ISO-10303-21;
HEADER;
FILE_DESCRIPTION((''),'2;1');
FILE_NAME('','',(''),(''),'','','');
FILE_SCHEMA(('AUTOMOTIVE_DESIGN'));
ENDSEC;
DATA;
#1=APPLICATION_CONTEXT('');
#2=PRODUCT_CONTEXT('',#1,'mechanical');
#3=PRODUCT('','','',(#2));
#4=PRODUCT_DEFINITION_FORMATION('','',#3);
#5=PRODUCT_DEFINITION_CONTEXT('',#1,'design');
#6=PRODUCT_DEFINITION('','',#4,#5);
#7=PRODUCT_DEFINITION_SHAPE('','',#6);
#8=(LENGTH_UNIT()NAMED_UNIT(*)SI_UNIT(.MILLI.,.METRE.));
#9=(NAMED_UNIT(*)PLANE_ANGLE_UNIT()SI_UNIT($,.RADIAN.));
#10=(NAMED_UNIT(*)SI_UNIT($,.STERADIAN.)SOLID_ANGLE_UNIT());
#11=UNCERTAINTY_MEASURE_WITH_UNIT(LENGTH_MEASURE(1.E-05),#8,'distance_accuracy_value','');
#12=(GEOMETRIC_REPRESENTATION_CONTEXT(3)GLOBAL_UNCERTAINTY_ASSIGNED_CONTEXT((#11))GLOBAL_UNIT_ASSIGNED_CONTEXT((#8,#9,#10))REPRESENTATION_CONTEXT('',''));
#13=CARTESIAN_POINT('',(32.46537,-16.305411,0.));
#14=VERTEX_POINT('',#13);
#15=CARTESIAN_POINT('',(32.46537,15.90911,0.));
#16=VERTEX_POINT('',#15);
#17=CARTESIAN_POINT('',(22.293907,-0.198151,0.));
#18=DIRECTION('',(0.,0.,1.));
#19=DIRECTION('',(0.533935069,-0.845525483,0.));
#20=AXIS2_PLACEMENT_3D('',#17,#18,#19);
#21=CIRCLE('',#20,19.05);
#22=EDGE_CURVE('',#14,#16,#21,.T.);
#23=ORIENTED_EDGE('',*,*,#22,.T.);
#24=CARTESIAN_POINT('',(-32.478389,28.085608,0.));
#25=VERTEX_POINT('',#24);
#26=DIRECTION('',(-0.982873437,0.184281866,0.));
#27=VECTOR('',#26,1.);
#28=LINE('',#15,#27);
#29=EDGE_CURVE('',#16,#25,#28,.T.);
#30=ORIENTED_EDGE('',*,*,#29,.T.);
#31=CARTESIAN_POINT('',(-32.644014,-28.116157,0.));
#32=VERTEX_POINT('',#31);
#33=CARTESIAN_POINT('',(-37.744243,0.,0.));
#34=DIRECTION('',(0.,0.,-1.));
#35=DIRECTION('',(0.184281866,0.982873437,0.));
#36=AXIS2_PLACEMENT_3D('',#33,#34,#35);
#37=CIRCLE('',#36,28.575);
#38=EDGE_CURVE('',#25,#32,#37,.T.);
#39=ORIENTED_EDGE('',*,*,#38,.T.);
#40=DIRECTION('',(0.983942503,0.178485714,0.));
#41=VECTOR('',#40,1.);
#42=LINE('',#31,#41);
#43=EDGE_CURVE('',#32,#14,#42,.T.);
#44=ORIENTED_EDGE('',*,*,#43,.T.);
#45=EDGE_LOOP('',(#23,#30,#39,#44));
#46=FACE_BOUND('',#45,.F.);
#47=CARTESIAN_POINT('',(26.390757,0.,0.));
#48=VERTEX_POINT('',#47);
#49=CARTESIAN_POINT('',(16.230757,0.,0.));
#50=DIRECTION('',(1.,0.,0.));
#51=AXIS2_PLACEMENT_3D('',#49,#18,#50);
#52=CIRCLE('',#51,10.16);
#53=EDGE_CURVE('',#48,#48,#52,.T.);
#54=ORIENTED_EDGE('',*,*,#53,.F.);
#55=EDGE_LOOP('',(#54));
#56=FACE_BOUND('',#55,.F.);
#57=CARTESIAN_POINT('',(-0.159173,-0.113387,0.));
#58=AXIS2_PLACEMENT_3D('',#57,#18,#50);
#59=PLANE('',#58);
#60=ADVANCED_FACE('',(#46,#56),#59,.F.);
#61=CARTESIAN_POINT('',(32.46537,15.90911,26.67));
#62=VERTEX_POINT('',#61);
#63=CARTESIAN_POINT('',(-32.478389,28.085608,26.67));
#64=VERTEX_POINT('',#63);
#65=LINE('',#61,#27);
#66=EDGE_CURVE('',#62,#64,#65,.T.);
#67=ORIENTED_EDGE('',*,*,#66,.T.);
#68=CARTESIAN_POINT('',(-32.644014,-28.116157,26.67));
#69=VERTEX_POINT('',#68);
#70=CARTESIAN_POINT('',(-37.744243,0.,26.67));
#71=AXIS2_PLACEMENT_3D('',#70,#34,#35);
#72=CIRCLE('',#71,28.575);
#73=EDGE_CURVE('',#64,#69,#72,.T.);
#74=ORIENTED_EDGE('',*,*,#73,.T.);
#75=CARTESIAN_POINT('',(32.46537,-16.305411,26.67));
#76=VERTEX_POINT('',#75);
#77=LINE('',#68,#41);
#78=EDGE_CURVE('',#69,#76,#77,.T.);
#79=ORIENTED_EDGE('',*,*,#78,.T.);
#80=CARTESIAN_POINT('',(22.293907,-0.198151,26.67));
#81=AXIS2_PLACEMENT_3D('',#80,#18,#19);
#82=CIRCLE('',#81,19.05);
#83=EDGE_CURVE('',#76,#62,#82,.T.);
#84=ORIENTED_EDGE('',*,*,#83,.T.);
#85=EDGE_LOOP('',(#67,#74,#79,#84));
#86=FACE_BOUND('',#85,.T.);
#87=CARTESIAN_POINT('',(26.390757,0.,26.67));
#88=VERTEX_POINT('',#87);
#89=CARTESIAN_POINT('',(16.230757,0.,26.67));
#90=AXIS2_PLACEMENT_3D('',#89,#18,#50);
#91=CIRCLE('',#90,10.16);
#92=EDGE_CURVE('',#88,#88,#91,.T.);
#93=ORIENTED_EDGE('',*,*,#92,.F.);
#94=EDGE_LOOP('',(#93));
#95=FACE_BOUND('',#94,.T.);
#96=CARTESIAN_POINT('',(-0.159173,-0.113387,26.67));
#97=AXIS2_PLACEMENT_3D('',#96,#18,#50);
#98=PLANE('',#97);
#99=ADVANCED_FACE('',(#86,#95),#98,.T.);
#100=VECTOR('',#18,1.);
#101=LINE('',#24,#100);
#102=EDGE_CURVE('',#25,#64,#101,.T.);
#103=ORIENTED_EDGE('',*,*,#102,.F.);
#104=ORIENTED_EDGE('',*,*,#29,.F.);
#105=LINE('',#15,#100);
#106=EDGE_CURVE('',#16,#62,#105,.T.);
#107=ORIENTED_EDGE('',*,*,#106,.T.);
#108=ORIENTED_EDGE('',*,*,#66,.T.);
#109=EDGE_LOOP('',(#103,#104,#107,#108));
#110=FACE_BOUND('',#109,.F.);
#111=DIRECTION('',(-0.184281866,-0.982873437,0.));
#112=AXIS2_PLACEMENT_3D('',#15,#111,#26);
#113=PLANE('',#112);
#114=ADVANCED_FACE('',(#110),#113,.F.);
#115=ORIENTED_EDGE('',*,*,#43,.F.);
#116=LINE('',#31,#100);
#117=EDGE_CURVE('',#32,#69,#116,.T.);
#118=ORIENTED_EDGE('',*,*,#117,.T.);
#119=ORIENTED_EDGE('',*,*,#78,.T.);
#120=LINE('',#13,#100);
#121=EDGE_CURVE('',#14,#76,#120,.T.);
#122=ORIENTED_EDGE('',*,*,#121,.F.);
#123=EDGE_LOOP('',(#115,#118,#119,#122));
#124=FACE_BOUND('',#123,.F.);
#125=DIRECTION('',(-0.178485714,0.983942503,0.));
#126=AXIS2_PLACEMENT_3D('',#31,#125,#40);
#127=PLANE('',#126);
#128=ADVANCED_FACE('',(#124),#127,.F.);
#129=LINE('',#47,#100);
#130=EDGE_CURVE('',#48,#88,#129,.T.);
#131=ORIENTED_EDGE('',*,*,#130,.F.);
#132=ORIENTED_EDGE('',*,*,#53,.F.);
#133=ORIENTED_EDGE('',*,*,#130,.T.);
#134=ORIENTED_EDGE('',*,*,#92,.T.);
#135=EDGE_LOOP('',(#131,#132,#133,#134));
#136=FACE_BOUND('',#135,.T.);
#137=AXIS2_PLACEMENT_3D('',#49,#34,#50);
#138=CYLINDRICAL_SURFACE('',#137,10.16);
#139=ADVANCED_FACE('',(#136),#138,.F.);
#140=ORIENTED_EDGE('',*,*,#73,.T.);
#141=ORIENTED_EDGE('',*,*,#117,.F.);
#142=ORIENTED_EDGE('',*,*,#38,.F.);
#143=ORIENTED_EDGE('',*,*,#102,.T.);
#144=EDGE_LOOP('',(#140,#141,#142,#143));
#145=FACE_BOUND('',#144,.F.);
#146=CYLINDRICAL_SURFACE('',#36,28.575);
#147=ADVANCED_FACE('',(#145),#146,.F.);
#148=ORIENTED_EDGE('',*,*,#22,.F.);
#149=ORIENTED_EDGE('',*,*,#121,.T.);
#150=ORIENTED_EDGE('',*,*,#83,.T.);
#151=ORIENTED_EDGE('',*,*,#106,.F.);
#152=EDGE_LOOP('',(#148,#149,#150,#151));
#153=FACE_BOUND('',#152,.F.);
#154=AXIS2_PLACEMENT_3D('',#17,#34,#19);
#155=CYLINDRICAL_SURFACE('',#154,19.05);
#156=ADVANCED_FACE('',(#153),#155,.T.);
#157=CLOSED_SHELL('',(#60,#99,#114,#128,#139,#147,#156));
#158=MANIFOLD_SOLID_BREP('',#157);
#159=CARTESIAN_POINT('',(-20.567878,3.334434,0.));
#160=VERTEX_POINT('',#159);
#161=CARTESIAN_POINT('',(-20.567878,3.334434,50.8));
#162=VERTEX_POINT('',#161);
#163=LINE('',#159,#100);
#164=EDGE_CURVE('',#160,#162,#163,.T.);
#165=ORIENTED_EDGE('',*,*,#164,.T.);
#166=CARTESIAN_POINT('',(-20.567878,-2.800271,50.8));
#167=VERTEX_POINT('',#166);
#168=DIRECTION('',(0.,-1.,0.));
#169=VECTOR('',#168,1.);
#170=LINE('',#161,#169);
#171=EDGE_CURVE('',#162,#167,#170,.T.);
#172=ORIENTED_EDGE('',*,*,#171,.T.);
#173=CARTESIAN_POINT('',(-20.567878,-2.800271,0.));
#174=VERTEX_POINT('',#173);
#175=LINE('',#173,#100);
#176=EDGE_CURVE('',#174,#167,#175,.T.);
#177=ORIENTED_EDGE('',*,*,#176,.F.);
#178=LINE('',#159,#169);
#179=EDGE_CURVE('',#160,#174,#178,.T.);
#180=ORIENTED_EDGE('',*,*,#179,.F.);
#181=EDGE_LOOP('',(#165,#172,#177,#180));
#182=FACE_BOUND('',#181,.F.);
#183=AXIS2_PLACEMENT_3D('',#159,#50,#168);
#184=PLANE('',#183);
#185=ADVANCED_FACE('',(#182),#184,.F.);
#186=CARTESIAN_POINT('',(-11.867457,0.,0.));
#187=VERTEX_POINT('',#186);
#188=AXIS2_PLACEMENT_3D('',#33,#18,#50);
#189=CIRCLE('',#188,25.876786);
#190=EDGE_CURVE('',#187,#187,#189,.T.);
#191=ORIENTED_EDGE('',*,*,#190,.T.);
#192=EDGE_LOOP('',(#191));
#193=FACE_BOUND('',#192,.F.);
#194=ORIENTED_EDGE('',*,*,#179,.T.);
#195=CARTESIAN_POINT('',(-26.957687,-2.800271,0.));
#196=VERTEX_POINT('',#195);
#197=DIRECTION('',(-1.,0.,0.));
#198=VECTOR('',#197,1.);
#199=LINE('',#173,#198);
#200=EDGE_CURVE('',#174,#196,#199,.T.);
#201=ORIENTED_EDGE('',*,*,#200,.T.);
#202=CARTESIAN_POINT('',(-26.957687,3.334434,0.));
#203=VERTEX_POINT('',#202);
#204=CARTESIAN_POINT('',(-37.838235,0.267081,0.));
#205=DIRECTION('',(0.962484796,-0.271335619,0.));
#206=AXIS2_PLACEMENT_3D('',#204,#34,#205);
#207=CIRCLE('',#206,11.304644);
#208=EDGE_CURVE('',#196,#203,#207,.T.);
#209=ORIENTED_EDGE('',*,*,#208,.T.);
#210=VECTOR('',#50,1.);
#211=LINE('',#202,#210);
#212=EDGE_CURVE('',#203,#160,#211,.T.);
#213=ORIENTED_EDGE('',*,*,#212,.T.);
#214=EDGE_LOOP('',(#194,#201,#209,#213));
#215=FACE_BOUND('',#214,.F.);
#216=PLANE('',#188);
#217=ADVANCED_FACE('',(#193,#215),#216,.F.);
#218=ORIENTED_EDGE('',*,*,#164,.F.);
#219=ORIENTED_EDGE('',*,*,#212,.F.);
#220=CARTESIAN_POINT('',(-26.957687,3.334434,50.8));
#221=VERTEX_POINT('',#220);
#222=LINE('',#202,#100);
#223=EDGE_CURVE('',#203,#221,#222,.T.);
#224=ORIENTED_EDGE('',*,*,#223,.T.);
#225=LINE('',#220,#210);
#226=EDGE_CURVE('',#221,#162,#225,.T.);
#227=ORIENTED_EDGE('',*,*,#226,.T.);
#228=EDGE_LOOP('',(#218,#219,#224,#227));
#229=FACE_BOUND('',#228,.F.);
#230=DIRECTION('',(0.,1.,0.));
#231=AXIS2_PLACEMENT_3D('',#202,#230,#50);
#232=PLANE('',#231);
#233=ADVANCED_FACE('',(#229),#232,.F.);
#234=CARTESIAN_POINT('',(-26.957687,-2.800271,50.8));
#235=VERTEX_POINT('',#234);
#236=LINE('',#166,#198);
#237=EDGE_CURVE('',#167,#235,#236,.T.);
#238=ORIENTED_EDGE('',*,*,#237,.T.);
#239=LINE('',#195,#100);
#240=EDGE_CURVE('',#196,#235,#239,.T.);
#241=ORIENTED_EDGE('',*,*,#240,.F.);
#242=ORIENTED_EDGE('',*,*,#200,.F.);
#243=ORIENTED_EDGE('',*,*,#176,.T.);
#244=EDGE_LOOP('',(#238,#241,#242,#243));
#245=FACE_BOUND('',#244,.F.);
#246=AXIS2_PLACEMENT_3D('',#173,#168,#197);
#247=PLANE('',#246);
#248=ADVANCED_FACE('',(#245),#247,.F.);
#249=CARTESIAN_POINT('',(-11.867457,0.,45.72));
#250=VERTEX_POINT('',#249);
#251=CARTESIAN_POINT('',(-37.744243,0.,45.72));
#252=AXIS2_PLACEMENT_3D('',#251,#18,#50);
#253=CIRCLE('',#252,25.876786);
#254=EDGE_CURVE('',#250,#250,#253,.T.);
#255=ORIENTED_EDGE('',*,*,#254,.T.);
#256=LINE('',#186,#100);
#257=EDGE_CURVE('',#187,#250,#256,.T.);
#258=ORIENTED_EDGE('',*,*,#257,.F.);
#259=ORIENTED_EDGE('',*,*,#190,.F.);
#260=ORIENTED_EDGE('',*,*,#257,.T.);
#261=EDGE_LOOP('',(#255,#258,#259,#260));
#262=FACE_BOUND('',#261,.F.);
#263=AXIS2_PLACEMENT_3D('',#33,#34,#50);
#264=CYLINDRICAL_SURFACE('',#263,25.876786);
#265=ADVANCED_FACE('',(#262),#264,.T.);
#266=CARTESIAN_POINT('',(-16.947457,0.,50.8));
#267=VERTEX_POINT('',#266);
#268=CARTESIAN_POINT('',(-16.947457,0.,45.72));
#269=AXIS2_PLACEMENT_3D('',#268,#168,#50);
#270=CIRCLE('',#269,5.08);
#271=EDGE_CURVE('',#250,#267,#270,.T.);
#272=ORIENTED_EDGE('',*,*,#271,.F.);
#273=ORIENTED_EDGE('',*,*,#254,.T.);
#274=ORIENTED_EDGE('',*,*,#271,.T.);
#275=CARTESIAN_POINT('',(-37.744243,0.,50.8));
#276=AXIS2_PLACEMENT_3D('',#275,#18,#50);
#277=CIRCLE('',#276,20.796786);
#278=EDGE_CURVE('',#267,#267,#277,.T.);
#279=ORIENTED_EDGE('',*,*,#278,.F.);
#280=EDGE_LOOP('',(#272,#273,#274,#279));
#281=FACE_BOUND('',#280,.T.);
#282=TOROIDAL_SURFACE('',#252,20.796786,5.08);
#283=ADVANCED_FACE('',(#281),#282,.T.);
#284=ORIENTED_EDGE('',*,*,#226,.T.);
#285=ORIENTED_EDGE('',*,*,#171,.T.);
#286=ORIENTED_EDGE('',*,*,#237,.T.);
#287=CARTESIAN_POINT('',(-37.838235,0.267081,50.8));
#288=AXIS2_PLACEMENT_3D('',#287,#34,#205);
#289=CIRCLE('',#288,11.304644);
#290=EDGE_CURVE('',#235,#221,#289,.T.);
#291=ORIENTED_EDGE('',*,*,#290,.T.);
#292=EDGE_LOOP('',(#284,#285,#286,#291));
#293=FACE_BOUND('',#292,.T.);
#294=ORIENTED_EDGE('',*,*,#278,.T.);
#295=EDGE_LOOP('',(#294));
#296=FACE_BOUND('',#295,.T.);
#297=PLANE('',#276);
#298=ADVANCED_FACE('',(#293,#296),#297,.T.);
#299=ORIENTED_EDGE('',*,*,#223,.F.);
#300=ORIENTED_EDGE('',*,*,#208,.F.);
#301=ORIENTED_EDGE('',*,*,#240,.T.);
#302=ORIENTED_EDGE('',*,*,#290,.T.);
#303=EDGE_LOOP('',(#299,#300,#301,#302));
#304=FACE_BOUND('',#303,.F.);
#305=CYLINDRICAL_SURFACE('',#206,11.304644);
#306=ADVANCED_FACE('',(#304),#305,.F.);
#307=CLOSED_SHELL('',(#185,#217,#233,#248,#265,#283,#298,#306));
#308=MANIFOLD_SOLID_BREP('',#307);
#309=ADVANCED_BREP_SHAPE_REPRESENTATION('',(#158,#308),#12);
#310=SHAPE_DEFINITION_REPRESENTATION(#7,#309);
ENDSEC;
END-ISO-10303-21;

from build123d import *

# Parameters (mm, degrees)
F0_R     = 25.8767860188
F1_DEPTH = 50.8
F0_R_2   = 10.16
F2_DEPTH = 24.13
F3_R     = 5.08


with BuildPart() as f1:
    # F0 (on Top) → F1 (new body)
    with BuildSketch(Plane.XY):
        with Locations((-37.7442430894, 0)):
            Circle(F0_R)
        with BuildLine():
            ThreePointArc((-26.9576869905, -2.8002713807), (-49.1428781175, 0.2670810791), (-26.9576869905, 3.3344335388))
            Line((-26.9576869905, 3.3344335388), (-20.5678781175, 3.3344335388))
            Line((-20.5678781175, 3.3344335388), (-20.5678781175, -2.8002713807))
            Line((-20.5678781175, -2.8002713807), (-26.9576869905, -2.8002713807))
        make_face(mode=Mode.SUBTRACT)
    extrude(amount=F1_DEPTH)

    # F3
    f3_edges = [f1.edges().sort_by_distance(p)[0] for p in [
        (-63.621029, 0, 50.8),
    ]]
    fillet(f3_edges, radius=F3_R)


with BuildPart() as f1b:
    # F0 (on Top) → F1, piece 2 (new body)
    with BuildSketch(Plane.XY):
        with BuildLine():
            Line((-32.6440138166, -28.1161570341), (32.4653702854, -16.3054111227))
            ThreePointArc((32.4653702854, -16.3054111227), (41.3439072256, -0.1981506721), (32.4653702854, 15.9091097785))
            Line((32.4653702854, 15.9091097785), (-32.4783887587, 28.0856084707))
            ThreePointArc((-32.4783887587, 28.0856084707), (-9.1693671705, -0.0842093737), (-32.6440138166, -28.1161570341))
        make_face()
        with Locations((16.2307569106, 0)):
            Circle(F0_R_2, mode=Mode.SUBTRACT)
    extrude(amount=F1_DEPTH)

    # F2 (cut): a face of the model
    f2_faces = [f1b.faces().sort_by_distance(p)[0] for p in [
        (-8.2402398416, -0.0869474864, 50.8),
    ]]
    extrude(f2_faces, amount=-F2_DEPTH, mode=Mode.SUBTRACT)


solid = Compound([f1.part, f1b.part])
